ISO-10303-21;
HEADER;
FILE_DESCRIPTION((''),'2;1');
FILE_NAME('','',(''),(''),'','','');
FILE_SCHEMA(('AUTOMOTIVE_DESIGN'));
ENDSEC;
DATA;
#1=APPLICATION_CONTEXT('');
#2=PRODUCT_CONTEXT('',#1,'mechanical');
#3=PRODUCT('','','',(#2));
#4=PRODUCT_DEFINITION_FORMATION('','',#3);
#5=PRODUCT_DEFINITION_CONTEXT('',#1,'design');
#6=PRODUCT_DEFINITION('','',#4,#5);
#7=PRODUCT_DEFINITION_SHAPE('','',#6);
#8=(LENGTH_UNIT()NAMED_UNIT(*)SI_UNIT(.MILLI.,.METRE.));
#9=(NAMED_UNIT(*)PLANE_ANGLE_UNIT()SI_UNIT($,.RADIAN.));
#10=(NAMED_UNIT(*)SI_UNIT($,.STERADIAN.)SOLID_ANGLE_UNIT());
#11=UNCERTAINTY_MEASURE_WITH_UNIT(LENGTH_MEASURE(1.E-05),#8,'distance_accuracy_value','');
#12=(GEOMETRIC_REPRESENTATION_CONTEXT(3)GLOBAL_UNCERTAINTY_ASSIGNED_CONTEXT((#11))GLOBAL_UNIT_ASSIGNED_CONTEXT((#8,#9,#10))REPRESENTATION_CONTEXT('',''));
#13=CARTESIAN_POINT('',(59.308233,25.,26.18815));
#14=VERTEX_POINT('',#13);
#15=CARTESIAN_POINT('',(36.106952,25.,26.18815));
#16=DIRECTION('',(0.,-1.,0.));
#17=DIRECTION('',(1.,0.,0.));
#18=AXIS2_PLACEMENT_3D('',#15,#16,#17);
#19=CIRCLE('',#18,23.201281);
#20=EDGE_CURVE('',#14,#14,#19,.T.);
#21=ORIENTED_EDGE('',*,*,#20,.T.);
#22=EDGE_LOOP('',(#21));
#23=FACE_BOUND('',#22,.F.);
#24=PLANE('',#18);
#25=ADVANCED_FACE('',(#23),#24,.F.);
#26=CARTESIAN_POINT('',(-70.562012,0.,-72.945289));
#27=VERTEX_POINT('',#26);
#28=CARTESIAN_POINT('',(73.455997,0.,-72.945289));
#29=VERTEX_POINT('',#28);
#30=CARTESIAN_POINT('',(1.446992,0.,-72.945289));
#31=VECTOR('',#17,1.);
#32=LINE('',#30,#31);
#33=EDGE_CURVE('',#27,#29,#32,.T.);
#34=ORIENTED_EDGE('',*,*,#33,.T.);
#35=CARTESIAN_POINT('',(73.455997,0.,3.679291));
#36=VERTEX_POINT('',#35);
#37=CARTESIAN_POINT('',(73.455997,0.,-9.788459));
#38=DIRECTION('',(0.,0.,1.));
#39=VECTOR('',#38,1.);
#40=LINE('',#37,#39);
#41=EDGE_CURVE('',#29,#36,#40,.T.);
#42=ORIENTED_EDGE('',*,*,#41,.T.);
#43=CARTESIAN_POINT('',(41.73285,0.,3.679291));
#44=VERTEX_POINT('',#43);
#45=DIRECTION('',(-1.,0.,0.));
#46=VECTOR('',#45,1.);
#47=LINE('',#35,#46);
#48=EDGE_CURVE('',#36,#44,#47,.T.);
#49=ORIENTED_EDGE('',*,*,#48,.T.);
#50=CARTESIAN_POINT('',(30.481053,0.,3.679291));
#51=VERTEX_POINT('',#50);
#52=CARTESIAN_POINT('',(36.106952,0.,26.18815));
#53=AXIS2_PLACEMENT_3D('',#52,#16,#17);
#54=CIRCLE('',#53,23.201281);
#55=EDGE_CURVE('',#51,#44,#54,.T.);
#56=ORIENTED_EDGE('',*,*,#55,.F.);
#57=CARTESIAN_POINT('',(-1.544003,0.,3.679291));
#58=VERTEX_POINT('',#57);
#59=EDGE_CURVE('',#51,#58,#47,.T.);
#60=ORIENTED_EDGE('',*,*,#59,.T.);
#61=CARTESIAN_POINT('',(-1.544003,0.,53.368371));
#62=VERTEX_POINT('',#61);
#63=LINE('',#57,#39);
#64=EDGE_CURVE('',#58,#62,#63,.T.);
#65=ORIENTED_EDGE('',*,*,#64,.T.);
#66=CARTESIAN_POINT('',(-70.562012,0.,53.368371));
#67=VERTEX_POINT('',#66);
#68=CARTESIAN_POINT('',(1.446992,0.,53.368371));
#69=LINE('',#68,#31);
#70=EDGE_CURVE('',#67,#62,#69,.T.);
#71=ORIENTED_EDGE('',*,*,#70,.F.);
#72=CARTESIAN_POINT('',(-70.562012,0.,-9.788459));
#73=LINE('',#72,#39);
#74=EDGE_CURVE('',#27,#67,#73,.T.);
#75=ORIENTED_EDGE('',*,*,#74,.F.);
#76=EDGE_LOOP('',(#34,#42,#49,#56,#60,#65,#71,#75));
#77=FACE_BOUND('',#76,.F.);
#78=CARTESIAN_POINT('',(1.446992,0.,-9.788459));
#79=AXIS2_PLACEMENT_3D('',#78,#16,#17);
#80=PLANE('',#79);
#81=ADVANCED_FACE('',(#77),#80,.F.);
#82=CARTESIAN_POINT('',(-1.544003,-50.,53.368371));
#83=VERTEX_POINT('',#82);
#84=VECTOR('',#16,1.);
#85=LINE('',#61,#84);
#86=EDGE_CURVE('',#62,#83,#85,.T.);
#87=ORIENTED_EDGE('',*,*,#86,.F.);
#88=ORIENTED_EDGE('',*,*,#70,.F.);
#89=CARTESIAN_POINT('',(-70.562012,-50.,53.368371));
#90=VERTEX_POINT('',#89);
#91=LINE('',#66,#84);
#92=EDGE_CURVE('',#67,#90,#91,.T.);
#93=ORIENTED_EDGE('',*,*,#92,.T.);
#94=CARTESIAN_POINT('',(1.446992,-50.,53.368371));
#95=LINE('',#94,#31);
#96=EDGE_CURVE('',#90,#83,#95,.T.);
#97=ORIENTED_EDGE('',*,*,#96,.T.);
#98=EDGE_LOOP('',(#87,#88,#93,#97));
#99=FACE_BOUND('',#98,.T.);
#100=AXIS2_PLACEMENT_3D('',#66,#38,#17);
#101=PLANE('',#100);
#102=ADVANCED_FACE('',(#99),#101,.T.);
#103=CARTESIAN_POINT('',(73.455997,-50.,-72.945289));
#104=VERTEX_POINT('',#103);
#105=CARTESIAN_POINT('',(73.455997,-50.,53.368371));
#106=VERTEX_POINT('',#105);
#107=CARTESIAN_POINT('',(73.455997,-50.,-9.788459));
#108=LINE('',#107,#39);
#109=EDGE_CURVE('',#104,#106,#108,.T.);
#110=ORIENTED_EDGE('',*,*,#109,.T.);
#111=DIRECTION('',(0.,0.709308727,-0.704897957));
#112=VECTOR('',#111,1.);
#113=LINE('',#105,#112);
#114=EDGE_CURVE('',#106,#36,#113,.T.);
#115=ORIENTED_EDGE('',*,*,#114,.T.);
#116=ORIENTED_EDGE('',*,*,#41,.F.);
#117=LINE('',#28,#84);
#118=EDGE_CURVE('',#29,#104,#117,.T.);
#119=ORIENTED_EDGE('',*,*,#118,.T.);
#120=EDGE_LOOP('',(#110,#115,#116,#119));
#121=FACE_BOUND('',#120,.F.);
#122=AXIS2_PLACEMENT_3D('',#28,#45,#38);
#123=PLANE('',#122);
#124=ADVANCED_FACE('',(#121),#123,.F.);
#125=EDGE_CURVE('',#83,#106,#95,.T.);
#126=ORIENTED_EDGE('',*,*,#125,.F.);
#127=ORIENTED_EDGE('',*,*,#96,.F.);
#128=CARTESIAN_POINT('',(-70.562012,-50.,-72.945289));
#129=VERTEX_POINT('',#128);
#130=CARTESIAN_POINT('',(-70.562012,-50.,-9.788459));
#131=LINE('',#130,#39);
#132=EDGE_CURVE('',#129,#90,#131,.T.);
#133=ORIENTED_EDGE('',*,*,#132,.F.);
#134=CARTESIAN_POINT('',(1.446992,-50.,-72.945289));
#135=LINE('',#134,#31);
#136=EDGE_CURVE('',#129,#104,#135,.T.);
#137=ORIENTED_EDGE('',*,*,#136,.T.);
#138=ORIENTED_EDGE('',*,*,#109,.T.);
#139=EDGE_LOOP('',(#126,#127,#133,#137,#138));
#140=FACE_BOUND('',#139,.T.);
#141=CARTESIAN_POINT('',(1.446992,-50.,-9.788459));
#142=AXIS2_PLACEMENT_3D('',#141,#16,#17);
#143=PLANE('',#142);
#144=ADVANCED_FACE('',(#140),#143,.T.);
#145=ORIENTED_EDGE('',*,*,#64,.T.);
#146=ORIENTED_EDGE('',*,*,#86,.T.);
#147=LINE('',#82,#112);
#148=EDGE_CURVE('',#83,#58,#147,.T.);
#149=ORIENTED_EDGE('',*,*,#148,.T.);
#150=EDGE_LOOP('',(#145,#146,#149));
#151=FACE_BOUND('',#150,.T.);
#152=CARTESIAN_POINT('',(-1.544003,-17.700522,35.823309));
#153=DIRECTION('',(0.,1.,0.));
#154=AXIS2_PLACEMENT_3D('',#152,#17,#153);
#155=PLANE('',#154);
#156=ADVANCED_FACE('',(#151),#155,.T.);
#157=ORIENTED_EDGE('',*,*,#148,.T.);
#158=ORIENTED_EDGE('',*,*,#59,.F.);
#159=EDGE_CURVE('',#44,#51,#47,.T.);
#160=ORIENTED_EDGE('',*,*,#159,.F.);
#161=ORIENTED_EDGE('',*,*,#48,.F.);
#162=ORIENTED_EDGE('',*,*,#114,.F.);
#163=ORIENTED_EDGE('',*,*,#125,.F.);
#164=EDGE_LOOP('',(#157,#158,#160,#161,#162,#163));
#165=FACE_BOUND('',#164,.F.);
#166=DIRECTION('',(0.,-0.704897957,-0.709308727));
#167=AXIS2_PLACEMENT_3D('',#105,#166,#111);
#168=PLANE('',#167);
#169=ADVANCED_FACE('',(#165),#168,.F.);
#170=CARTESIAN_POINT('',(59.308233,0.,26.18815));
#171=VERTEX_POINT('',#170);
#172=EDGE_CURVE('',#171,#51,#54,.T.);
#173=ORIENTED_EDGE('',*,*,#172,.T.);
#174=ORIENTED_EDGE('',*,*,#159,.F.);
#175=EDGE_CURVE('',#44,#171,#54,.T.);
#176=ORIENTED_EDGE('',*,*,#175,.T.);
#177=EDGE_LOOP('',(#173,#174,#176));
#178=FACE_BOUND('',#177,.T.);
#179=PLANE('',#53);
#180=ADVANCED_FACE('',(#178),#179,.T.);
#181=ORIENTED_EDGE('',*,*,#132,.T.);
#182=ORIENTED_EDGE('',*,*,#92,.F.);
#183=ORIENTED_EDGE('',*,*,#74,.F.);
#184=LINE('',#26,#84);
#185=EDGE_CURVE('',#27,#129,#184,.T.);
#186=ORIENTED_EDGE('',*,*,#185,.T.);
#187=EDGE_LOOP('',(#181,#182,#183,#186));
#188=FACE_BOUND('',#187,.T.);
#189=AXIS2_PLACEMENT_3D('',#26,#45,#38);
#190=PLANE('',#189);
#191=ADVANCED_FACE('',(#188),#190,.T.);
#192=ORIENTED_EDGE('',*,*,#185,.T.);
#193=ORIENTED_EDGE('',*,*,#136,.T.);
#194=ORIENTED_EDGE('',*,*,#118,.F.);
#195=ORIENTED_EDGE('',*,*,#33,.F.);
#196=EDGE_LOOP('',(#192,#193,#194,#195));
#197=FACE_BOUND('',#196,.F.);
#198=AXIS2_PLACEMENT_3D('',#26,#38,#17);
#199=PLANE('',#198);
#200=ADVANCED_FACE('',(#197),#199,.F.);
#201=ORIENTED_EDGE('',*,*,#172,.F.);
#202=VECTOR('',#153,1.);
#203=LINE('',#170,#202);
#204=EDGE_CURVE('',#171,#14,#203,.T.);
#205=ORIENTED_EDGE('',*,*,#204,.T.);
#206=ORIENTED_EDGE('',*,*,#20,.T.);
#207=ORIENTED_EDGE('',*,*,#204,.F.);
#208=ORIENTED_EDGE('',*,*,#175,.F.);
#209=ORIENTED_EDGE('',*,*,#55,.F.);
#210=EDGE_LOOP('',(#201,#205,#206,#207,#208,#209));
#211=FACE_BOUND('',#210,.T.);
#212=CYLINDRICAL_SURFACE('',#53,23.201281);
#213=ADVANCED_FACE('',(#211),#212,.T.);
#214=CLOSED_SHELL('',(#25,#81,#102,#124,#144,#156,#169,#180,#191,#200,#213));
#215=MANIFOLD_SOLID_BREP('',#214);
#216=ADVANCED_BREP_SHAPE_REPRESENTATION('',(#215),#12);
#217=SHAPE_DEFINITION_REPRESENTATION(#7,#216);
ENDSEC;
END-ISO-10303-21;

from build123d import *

# Parameters (mm, degrees)
F0_W     = 144.018009305
F0_H     = 126.3136602938
F1_DEPTH = 50
F3_DEPTH = 75
F4_R     = 23.2012812913
F5_DEPTH = 25


with BuildPart() as f1:
    # F0 (on Front) → F1 (new body)
    with BuildSketch(Plane.XZ):
        with Locations((1.4469921589, -9.7884591669)):
            Rectangle(F0_W, F0_H)
    extrude(amount=F1_DEPTH)

    # F2 (on face) → F3 (cut)
    with BuildSketch(Plane.YZ.offset(73.4559968114)):
        Polygon((0, 53.36837098), (-50, 53.36837098), (0, 3.6792913452), align=None)
    extrude(amount=-F3_DEPTH, mode=Mode.SUBTRACT)

    # F4 (on face) → F5 (join)
    with BuildSketch(Plane.XZ):
        with Locations((36.1069515347, 26.1881500483)):
            Circle(F4_R)
    extrude(amount=-F5_DEPTH)


solid = f1.part
